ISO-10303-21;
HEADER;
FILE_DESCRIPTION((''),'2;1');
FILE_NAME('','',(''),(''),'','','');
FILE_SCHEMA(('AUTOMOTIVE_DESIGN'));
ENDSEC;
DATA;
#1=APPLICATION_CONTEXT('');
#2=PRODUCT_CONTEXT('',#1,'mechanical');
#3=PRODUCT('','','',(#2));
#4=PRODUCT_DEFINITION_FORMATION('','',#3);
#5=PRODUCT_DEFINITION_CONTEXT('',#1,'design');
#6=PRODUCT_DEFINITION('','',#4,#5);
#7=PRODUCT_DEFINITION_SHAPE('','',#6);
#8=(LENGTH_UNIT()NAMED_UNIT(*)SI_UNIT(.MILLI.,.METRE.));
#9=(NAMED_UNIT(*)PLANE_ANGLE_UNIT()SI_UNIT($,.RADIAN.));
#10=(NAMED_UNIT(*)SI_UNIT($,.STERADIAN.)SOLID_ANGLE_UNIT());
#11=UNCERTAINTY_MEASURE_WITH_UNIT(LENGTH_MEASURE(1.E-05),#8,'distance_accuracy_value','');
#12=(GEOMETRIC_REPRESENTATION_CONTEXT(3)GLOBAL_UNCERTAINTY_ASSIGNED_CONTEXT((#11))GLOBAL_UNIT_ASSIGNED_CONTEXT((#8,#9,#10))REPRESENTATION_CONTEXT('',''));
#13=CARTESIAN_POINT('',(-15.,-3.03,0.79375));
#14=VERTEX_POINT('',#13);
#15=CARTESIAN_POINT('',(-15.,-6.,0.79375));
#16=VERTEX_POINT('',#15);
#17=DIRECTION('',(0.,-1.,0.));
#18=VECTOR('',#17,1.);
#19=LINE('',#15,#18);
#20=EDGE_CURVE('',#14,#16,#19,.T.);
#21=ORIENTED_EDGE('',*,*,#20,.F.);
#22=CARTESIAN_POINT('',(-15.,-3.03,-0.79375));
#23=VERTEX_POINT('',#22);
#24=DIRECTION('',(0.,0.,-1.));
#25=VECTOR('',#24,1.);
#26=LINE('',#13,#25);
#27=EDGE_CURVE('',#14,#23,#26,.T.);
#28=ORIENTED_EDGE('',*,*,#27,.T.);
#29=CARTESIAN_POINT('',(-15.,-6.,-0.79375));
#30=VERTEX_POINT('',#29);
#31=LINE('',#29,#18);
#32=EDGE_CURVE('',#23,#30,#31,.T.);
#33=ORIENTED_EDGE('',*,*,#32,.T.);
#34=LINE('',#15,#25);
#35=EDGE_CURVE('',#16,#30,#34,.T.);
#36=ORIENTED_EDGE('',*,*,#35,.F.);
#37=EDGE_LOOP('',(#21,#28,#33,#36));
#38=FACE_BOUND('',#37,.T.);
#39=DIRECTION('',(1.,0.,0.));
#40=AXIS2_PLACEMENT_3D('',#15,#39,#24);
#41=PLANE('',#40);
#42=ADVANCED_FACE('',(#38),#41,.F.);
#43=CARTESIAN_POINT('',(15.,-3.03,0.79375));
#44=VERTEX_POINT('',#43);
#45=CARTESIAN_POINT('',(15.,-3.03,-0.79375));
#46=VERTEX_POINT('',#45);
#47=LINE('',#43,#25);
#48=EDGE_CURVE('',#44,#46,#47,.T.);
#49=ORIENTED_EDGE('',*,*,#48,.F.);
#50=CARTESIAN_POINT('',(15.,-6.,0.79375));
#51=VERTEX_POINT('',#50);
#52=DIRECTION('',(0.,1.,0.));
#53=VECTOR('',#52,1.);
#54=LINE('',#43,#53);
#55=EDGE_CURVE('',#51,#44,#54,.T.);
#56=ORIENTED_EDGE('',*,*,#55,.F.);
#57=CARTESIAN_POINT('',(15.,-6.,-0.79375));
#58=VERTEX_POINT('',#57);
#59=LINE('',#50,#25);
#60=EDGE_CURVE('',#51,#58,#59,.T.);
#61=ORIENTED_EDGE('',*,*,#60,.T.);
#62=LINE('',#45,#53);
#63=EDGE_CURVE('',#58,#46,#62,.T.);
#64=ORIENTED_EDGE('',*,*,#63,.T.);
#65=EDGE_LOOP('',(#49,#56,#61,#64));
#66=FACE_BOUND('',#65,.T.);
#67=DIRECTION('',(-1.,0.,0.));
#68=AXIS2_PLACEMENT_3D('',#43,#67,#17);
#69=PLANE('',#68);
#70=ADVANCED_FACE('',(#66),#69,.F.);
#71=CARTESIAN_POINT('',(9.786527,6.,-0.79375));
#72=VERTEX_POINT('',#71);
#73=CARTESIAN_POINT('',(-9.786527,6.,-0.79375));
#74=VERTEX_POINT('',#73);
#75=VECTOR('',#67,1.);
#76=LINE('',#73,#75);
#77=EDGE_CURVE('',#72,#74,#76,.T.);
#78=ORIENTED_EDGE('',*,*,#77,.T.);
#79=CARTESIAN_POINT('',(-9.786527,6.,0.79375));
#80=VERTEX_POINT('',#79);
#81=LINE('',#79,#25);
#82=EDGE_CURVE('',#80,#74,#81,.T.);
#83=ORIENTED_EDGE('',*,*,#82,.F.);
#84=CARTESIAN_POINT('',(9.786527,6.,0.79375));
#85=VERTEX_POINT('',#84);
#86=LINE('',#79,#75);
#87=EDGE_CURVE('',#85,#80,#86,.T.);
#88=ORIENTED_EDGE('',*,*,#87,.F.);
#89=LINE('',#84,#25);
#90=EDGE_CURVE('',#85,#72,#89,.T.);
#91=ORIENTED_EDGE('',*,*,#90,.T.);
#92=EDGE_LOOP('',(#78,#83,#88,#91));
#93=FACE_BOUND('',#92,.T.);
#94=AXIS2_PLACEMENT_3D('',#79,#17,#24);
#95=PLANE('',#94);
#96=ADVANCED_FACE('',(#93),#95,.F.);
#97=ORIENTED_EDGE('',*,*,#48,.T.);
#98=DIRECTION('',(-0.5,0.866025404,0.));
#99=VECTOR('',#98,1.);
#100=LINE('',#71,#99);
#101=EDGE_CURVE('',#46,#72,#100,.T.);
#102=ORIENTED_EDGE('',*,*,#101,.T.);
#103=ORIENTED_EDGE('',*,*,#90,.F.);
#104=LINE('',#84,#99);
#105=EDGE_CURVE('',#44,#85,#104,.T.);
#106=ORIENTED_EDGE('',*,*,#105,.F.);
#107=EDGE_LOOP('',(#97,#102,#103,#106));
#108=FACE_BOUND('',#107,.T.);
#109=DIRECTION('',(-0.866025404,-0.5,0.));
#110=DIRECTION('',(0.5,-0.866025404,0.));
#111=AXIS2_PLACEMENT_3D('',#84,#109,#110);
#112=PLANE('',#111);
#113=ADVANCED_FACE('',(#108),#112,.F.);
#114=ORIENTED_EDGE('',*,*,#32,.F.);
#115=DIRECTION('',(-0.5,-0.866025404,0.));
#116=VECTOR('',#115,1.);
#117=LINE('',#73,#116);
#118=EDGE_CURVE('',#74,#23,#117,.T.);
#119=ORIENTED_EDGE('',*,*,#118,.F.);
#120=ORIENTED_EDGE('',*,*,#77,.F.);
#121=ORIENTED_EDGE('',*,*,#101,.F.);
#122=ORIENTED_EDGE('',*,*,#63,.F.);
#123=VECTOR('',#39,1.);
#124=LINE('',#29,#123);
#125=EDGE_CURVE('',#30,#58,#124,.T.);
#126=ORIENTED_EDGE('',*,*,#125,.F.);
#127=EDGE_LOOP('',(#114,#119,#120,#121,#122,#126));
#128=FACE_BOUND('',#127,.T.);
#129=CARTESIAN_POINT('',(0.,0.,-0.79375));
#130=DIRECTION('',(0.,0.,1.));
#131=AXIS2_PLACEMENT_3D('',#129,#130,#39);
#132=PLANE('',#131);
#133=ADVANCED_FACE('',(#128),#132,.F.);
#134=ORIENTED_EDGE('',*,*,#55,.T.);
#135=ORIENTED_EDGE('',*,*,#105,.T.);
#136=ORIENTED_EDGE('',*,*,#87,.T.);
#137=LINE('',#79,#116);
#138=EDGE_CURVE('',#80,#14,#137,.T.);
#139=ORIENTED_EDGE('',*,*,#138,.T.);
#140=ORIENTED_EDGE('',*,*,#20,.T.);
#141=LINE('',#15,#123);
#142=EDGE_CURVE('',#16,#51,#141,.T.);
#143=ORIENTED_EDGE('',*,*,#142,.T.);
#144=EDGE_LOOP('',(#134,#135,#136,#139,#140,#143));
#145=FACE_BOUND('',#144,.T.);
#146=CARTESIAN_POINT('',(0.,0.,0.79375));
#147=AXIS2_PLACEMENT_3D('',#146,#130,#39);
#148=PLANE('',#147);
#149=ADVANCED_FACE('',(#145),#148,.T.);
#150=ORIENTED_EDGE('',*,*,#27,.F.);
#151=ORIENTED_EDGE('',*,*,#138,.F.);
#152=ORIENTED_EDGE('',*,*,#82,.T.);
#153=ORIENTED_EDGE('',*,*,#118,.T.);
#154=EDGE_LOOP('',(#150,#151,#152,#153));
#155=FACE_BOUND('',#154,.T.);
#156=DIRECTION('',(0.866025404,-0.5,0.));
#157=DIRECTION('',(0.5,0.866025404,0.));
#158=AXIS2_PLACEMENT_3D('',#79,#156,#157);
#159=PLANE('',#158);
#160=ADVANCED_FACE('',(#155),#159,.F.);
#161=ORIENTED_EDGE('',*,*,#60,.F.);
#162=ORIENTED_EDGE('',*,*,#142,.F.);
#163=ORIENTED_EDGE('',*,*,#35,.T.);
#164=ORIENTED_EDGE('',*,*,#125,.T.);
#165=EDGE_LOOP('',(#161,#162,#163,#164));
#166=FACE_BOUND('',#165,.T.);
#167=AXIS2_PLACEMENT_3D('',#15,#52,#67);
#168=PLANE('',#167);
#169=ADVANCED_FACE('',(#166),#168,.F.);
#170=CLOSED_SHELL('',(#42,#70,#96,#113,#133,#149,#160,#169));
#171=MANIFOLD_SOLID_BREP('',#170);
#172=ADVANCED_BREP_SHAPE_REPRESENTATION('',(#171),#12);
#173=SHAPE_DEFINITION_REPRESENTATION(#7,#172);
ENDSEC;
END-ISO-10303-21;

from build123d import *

# Parameters (mm, degrees)
BOSS_EXTRUDE1_DEPTH = 0.79375


with BuildPart() as part:
    # Sketch1 → Boss-Extrude1 (new, symmetric)
    with BuildSketch(Plane.XY):
        Polygon((-9.786527069, 6), (-15, -3.03), (-15, -6), (15, -6), (15, -3.03), (9.786527069, 6), align=None)
    extrude(amount=BOSS_EXTRUDE1_DEPTH, both=True)


solid = part.part
